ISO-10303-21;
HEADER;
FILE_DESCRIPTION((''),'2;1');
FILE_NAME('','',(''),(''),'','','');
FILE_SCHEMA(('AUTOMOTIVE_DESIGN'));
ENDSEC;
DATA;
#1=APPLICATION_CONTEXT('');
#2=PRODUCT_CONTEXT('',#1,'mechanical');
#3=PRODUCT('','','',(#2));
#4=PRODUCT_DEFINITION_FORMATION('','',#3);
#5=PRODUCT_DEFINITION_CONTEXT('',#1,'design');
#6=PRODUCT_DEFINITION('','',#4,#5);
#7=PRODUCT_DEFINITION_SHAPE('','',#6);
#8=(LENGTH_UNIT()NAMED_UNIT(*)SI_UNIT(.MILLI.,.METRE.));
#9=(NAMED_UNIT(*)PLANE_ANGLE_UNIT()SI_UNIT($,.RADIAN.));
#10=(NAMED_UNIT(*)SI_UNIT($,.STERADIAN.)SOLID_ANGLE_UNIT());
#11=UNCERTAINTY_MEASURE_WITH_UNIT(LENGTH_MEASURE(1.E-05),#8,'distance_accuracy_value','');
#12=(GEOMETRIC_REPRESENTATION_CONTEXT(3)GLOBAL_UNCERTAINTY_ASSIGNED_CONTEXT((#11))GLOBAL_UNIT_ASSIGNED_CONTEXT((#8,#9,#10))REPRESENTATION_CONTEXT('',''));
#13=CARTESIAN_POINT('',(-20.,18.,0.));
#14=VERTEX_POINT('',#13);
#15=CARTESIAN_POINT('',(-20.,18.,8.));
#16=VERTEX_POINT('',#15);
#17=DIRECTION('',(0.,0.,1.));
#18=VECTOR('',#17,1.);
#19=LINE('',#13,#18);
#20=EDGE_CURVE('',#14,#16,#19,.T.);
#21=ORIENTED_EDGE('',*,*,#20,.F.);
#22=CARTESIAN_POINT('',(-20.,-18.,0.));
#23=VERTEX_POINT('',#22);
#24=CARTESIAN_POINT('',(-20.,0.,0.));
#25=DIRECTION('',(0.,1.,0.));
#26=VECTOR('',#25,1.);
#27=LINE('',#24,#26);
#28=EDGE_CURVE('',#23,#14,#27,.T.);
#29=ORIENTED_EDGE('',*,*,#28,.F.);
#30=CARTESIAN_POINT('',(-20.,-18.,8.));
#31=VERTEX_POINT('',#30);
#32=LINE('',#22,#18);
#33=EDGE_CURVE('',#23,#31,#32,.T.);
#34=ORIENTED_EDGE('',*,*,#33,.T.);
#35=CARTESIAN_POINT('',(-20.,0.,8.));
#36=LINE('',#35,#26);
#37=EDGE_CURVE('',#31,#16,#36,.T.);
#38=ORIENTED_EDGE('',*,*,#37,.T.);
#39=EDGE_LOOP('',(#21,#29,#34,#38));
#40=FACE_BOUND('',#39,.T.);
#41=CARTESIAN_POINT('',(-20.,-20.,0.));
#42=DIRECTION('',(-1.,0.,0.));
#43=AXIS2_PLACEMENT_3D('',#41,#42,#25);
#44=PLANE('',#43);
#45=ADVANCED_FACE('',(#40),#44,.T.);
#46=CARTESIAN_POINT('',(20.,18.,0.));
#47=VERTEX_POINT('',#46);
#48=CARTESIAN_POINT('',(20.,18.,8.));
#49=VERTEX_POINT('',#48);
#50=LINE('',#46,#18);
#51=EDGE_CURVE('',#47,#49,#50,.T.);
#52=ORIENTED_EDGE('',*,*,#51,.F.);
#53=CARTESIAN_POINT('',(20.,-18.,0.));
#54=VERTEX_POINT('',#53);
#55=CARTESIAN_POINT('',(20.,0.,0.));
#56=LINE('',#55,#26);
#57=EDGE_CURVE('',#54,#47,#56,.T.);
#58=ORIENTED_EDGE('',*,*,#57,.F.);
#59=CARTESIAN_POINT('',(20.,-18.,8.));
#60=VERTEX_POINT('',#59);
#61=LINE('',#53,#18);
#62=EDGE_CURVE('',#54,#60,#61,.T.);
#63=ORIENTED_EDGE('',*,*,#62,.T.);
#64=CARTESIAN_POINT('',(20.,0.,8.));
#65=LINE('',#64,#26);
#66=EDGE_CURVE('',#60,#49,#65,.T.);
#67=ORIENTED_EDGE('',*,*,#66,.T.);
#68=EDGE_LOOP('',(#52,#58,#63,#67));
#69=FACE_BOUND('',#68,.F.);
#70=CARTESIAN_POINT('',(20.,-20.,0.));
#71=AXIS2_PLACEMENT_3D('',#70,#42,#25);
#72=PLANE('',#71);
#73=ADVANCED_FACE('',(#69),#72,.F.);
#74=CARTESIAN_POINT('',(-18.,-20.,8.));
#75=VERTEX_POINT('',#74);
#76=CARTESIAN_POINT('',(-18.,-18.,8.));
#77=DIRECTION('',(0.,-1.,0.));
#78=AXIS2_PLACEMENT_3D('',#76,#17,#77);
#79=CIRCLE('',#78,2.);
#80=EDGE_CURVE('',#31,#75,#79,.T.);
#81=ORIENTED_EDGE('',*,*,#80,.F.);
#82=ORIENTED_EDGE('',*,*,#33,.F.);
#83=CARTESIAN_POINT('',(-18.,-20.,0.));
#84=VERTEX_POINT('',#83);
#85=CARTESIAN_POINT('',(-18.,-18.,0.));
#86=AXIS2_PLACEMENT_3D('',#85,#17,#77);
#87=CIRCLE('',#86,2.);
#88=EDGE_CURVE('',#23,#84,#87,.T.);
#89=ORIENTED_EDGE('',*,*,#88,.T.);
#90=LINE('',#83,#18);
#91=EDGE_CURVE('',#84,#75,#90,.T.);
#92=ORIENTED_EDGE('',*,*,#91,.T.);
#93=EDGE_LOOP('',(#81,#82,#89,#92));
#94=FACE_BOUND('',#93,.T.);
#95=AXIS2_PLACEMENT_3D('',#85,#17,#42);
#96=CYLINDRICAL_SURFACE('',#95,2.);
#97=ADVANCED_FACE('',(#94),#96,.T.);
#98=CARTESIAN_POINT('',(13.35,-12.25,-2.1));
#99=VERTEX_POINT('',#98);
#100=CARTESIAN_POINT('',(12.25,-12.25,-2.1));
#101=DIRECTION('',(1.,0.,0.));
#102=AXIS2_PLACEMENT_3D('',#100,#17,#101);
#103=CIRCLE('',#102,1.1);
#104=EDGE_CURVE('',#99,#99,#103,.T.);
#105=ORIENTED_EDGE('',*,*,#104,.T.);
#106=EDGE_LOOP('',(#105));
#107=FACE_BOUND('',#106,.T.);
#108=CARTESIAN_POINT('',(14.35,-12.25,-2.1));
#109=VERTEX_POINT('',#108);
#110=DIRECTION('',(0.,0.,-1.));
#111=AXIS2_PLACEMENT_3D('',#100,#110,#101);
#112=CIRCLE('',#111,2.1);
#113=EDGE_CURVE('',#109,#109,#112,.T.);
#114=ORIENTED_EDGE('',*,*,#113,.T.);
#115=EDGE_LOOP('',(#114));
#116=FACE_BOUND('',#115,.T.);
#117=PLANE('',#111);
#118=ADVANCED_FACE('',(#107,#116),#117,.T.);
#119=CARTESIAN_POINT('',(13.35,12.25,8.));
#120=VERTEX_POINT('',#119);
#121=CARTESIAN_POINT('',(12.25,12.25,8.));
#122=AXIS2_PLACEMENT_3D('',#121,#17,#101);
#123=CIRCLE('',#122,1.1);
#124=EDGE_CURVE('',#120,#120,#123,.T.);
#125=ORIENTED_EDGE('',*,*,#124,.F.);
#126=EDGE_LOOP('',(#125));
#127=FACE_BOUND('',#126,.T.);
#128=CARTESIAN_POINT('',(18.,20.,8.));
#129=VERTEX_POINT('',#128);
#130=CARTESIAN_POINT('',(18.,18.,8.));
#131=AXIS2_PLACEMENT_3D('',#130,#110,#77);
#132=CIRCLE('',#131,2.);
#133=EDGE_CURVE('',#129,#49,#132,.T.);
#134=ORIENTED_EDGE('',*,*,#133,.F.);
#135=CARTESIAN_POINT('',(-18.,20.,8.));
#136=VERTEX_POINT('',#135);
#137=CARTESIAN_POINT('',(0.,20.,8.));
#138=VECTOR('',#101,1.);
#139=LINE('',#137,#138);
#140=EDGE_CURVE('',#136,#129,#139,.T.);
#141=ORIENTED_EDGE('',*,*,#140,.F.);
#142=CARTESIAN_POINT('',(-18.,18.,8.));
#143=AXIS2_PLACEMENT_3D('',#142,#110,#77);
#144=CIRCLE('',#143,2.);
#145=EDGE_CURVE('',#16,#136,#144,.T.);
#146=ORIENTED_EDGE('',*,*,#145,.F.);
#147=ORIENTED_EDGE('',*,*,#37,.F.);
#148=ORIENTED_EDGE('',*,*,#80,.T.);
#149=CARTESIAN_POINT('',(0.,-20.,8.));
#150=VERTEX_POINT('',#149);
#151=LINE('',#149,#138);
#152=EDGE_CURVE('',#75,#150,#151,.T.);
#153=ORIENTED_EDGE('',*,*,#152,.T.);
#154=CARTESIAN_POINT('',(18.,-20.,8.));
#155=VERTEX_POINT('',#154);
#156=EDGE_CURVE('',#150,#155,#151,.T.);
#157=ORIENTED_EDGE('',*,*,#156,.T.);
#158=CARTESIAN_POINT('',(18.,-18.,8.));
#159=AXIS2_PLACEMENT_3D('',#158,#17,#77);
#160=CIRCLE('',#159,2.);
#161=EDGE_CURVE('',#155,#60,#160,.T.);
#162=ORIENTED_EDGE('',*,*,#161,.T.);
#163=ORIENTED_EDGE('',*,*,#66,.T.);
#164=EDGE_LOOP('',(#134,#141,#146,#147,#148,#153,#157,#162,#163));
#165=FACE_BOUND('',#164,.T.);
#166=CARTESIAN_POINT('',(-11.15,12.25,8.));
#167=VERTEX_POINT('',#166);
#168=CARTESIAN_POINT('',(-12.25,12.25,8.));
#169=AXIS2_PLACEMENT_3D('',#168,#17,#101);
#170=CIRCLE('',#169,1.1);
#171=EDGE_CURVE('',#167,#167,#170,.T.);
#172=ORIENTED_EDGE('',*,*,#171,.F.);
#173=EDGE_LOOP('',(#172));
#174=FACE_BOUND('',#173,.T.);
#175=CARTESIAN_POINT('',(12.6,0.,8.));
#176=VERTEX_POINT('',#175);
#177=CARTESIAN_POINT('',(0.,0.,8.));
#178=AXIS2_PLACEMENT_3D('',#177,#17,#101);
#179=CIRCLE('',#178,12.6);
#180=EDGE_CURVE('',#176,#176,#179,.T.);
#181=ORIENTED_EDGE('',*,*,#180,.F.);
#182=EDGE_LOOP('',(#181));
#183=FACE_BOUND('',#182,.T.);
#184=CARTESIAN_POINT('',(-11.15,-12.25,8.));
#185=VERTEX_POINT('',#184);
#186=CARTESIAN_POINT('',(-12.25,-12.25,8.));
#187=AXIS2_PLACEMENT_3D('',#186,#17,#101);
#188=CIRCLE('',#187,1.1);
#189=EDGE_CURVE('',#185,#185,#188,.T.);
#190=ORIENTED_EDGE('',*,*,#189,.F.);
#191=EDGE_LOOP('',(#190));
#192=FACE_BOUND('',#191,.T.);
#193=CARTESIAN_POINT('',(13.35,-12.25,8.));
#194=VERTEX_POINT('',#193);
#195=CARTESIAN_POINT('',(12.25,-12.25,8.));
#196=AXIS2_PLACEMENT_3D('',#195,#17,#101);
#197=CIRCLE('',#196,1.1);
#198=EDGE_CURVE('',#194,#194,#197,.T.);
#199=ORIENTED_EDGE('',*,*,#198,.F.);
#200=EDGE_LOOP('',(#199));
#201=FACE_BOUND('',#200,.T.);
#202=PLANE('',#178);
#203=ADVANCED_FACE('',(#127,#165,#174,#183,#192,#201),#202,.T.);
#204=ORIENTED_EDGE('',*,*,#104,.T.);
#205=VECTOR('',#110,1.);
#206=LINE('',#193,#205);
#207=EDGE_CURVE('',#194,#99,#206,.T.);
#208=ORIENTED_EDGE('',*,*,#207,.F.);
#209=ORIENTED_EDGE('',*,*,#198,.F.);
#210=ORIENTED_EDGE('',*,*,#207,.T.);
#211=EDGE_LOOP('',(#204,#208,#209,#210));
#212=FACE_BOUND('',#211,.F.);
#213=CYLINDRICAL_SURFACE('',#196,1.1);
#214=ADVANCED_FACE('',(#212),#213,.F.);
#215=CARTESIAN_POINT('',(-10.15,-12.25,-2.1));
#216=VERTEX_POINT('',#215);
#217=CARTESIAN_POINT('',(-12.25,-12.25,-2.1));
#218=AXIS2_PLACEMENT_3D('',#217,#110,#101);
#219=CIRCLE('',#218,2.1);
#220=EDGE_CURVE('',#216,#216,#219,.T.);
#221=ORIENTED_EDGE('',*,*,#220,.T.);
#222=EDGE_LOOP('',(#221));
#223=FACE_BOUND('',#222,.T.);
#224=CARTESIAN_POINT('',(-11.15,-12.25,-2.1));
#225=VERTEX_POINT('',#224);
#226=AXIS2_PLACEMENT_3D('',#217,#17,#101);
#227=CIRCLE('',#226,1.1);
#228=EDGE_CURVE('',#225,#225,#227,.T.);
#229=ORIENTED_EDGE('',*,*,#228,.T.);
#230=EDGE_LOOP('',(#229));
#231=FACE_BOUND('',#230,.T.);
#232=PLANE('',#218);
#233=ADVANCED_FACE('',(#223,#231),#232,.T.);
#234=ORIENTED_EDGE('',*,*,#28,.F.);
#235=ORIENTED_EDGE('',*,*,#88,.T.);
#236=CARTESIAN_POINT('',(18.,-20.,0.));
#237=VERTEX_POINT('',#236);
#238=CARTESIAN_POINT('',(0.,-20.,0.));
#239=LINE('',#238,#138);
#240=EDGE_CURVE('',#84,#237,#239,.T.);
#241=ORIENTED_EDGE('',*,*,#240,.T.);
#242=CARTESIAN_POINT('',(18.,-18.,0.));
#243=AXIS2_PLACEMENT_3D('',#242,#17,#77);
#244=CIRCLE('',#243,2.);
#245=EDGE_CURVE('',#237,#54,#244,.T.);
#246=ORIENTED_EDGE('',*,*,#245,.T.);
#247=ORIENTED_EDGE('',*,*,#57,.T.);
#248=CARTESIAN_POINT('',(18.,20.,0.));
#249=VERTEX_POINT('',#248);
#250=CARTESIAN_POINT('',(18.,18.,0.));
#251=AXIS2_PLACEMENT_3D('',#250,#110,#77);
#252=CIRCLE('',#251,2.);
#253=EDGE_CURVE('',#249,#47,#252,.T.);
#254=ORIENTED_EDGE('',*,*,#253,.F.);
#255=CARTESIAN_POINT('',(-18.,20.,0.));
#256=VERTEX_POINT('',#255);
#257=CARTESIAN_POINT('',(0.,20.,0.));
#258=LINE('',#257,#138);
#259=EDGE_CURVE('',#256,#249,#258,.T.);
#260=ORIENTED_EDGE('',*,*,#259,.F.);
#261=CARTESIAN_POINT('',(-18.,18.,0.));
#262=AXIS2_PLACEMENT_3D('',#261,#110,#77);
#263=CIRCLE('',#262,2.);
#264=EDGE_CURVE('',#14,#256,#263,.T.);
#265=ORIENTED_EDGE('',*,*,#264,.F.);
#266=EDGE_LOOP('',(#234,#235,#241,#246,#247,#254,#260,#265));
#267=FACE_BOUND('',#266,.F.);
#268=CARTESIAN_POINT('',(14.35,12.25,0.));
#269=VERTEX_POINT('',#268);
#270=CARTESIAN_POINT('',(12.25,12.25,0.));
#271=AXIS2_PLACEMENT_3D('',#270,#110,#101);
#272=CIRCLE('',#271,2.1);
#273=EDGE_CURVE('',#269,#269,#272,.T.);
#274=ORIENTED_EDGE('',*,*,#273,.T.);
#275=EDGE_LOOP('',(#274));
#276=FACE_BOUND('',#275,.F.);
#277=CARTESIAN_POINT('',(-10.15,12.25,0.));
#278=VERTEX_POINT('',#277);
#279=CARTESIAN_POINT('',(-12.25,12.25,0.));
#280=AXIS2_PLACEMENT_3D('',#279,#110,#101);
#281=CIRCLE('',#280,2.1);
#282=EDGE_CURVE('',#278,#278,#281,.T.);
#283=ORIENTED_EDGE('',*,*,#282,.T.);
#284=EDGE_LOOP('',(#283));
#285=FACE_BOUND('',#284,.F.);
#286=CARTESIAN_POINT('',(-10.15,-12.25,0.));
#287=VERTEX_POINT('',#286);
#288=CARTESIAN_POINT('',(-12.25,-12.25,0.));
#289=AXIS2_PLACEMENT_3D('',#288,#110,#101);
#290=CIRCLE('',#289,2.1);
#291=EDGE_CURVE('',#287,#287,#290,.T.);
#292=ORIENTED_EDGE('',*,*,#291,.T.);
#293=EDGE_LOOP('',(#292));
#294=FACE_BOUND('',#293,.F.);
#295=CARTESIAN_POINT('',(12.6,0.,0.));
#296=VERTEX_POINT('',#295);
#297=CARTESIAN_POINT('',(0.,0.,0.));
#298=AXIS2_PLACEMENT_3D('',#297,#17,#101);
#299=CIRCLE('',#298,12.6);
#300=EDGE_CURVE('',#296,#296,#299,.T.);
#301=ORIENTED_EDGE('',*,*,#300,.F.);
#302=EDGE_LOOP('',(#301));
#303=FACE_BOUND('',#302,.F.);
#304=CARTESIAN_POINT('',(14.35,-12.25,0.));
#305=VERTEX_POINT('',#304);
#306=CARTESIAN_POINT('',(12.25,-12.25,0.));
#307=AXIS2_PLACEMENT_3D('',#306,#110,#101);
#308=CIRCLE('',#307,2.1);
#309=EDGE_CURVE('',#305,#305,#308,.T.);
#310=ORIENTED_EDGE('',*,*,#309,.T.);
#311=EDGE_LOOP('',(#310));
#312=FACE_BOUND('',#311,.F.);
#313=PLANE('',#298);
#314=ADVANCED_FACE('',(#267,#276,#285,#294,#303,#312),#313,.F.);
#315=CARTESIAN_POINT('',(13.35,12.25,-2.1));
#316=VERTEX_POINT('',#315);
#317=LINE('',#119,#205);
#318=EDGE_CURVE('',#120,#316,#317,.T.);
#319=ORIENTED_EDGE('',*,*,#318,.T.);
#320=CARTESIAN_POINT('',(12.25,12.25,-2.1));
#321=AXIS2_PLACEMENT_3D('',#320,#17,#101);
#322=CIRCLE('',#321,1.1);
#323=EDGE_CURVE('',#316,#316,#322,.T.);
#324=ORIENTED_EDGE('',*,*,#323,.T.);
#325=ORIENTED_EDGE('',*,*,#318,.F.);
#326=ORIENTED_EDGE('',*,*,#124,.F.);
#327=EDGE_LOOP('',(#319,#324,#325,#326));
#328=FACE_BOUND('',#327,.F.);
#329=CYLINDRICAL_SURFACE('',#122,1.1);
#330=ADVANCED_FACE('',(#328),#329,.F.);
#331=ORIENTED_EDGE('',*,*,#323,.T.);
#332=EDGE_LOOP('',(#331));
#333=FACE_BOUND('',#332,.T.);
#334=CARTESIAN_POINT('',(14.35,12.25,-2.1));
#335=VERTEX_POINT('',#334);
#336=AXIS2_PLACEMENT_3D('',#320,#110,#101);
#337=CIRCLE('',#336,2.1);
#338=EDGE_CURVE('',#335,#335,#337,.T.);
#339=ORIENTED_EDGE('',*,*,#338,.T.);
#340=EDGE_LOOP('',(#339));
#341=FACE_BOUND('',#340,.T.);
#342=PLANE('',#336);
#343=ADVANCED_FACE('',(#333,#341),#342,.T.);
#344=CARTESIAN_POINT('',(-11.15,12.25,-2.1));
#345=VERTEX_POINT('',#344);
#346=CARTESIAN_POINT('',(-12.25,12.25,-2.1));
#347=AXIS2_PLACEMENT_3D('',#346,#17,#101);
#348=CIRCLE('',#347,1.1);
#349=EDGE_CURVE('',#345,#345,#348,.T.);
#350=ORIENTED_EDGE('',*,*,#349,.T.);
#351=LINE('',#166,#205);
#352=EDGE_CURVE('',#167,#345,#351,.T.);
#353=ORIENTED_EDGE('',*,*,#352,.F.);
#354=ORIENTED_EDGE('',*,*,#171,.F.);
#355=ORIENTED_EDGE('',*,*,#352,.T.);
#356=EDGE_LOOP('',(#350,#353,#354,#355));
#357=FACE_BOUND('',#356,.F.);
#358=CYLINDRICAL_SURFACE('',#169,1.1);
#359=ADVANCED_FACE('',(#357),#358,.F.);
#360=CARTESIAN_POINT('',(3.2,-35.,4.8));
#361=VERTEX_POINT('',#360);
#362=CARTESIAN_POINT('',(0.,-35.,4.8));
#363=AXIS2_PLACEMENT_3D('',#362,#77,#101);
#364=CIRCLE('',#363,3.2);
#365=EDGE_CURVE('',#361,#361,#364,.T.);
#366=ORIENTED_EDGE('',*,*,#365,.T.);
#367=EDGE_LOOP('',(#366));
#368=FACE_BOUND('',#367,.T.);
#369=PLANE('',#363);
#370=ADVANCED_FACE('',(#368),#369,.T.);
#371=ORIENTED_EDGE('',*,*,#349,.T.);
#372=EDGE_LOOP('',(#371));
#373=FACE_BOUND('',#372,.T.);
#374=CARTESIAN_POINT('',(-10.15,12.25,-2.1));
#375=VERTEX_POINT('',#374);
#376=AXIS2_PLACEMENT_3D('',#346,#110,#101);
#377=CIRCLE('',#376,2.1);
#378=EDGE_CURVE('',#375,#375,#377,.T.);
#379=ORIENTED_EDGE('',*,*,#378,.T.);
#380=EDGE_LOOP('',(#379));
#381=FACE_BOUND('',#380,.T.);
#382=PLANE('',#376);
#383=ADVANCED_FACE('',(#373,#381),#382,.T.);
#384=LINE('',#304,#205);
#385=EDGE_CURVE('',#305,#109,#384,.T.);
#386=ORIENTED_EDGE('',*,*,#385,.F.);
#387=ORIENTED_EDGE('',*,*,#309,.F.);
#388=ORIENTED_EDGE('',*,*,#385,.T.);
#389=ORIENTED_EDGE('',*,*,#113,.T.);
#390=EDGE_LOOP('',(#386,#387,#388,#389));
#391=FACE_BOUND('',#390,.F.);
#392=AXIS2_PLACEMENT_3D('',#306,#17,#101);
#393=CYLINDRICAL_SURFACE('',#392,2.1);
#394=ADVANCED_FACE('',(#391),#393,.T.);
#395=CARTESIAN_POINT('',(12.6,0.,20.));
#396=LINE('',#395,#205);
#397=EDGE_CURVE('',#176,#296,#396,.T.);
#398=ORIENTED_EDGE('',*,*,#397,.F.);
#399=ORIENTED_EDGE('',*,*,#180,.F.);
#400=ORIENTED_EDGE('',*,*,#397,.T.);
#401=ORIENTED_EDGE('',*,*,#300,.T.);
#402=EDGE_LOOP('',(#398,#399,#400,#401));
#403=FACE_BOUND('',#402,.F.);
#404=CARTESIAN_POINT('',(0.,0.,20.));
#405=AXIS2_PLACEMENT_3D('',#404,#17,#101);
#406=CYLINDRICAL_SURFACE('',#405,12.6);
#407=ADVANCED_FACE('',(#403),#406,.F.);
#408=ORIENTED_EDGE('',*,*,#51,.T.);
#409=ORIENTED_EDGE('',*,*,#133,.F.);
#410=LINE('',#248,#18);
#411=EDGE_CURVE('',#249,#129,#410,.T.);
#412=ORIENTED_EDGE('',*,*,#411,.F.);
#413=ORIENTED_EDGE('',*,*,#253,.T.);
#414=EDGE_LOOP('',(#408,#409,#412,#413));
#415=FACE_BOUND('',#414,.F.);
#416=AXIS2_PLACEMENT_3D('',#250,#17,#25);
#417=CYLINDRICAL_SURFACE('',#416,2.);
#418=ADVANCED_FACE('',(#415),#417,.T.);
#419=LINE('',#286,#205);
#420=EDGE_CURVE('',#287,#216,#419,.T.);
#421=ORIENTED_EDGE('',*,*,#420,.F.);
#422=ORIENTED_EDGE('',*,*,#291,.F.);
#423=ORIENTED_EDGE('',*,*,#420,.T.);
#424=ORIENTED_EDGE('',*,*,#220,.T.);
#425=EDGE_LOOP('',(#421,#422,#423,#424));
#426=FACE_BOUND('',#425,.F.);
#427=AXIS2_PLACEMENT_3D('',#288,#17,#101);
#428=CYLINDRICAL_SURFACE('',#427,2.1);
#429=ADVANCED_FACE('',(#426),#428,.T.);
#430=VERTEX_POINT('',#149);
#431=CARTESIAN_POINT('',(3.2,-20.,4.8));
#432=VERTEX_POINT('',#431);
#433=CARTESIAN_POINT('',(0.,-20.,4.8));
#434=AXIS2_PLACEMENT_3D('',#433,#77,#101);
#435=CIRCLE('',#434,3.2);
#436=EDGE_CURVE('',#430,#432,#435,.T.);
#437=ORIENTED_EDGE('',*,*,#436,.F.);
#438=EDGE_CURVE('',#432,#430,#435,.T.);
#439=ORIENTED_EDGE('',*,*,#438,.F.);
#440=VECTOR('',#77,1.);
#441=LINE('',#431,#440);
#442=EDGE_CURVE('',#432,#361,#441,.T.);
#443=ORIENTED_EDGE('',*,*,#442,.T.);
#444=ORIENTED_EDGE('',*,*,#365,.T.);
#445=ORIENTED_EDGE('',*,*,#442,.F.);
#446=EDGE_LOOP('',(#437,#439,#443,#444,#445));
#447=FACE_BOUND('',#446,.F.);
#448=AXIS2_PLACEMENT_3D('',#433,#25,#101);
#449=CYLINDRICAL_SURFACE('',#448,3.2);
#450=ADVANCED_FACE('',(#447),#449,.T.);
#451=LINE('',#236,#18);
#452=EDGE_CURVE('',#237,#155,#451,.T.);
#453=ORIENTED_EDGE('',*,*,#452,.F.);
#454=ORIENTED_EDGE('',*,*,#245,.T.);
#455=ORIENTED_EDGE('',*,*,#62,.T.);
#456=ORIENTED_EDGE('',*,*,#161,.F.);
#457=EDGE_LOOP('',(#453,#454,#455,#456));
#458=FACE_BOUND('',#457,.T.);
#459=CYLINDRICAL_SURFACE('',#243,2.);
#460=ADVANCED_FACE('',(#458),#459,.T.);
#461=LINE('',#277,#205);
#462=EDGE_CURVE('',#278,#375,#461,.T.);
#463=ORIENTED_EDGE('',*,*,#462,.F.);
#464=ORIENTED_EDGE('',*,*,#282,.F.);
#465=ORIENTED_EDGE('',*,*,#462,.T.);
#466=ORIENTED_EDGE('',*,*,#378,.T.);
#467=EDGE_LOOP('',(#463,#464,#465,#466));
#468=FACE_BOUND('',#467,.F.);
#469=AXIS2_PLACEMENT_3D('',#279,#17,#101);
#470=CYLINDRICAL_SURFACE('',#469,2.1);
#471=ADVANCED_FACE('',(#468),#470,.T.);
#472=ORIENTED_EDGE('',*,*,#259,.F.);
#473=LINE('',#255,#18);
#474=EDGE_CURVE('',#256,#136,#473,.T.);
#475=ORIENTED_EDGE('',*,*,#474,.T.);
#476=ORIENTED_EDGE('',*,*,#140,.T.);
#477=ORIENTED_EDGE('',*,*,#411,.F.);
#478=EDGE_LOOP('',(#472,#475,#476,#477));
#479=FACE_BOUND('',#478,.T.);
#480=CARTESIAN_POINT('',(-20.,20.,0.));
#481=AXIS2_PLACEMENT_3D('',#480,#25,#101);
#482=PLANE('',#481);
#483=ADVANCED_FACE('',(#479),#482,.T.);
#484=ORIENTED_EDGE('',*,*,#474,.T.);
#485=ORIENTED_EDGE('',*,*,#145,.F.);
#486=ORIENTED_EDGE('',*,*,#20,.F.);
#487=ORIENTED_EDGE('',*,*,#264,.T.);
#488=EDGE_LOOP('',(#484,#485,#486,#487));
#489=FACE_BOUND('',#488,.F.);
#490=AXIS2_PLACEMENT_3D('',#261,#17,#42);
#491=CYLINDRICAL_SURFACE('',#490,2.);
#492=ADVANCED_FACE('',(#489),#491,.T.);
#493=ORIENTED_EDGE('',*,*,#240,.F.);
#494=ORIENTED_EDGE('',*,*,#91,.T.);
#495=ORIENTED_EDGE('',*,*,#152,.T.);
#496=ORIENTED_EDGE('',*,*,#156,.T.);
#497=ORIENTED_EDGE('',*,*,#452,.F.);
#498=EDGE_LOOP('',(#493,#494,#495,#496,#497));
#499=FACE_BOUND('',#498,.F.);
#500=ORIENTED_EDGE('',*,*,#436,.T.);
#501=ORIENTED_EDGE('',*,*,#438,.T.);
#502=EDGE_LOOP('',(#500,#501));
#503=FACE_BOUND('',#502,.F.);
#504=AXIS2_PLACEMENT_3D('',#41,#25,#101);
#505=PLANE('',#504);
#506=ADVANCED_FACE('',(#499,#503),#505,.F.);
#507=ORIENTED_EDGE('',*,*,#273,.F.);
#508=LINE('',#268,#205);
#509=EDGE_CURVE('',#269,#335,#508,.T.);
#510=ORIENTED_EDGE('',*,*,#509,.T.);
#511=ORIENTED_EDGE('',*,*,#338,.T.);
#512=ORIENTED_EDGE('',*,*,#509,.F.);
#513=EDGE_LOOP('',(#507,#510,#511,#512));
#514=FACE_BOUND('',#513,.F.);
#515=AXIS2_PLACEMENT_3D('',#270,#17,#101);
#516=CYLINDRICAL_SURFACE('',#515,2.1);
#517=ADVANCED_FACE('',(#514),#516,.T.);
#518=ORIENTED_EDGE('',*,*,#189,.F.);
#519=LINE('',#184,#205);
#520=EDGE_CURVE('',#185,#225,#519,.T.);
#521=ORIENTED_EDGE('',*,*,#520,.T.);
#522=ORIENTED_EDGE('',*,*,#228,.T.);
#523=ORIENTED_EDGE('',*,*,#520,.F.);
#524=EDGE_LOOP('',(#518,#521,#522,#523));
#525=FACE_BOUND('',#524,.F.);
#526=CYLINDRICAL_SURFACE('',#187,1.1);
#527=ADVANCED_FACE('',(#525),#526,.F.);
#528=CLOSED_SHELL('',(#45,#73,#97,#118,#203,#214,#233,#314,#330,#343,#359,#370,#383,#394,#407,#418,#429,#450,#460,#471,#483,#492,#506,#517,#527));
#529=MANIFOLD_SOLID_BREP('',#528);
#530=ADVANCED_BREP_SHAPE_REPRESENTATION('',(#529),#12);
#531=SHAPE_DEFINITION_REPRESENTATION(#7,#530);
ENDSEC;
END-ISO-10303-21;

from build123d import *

# Parameters (mm, degrees)
SKETCH_W      = 40
SKETCH_H      = 40
PAD_DEPTH     = 8
SKETCH002_R   = 12.6
HOLE001_DEPTH = 20.001
FILLET_R      = 2
SKETCH003_R   = 2.1
PAD001_DEPTH  = 2.1
SKETCH001_R   = 1.1
HOLE_DEPTH    = 10.101
SKETCH004_R   = 3.2
PAD002_DEPTH  = 15


with BuildPart() as part:
    # Sketch → Pad (new body)
    with BuildSketch(Plane.XY):
        Rectangle(SKETCH_W, SKETCH_H)
    extrude(amount=PAD_DEPTH)

    # Sketch002 → Hole001 (cut, through all)
    with BuildSketch(Plane.XY.offset(20)):
        Circle(SKETCH002_R)
    extrude(amount=-HOLE001_DEPTH, mode=Mode.SUBTRACT)

    # Fillet
    fillet_edges = [part.edges().sort_by_distance(p)[0] for p in [
        (20, 20, 4),
        (20, -20, 4),
        (-20, -20, 4),
        (-20, 20, 4),
    ]]
    fillet(fillet_edges, radius=FILLET_R)

    # Sketch003 (on Face2 of Fillet) → Pad001 (join)
    with BuildSketch(Plane(origin=(0, 0, 0), x_dir=(1, 0, 0), z_dir=(0, 0, -1))):
        with Locations((-12.25, 12.25)):
            Circle(SKETCH003_R)
        with Locations((12.25, 12.25)):
            Circle(SKETCH003_R)
        with Locations((-12.25, -12.25)):
            Circle(SKETCH003_R)
        with Locations((12.25, -12.25)):
            Circle(SKETCH003_R)
    extrude(amount=PAD001_DEPTH)

    # Sketch001 (on Face6 of Pad) → Hole (cut, through all)
    with BuildSketch(Plane.XY.offset(8)):
        with Locations((12.25, -12.25)):
            Circle(SKETCH001_R)
        with Locations((-12.25, -12.25)):
            Circle(SKETCH001_R)
        with Locations((-12.25, 12.25)):
            Circle(SKETCH001_R)
        with Locations((12.25, 12.25)):
            Circle(SKETCH001_R)
    extrude(amount=-HOLE_DEPTH, mode=Mode.SUBTRACT)

    # Sketch004 (on Face7 of Hole) → Pad002 (join)
    with BuildSketch(Plane.XZ.offset(20)):
        with Locations((0, 4.8)):
            Circle(SKETCH004_R)
    extrude(amount=PAD002_DEPTH)


solid = part.part
